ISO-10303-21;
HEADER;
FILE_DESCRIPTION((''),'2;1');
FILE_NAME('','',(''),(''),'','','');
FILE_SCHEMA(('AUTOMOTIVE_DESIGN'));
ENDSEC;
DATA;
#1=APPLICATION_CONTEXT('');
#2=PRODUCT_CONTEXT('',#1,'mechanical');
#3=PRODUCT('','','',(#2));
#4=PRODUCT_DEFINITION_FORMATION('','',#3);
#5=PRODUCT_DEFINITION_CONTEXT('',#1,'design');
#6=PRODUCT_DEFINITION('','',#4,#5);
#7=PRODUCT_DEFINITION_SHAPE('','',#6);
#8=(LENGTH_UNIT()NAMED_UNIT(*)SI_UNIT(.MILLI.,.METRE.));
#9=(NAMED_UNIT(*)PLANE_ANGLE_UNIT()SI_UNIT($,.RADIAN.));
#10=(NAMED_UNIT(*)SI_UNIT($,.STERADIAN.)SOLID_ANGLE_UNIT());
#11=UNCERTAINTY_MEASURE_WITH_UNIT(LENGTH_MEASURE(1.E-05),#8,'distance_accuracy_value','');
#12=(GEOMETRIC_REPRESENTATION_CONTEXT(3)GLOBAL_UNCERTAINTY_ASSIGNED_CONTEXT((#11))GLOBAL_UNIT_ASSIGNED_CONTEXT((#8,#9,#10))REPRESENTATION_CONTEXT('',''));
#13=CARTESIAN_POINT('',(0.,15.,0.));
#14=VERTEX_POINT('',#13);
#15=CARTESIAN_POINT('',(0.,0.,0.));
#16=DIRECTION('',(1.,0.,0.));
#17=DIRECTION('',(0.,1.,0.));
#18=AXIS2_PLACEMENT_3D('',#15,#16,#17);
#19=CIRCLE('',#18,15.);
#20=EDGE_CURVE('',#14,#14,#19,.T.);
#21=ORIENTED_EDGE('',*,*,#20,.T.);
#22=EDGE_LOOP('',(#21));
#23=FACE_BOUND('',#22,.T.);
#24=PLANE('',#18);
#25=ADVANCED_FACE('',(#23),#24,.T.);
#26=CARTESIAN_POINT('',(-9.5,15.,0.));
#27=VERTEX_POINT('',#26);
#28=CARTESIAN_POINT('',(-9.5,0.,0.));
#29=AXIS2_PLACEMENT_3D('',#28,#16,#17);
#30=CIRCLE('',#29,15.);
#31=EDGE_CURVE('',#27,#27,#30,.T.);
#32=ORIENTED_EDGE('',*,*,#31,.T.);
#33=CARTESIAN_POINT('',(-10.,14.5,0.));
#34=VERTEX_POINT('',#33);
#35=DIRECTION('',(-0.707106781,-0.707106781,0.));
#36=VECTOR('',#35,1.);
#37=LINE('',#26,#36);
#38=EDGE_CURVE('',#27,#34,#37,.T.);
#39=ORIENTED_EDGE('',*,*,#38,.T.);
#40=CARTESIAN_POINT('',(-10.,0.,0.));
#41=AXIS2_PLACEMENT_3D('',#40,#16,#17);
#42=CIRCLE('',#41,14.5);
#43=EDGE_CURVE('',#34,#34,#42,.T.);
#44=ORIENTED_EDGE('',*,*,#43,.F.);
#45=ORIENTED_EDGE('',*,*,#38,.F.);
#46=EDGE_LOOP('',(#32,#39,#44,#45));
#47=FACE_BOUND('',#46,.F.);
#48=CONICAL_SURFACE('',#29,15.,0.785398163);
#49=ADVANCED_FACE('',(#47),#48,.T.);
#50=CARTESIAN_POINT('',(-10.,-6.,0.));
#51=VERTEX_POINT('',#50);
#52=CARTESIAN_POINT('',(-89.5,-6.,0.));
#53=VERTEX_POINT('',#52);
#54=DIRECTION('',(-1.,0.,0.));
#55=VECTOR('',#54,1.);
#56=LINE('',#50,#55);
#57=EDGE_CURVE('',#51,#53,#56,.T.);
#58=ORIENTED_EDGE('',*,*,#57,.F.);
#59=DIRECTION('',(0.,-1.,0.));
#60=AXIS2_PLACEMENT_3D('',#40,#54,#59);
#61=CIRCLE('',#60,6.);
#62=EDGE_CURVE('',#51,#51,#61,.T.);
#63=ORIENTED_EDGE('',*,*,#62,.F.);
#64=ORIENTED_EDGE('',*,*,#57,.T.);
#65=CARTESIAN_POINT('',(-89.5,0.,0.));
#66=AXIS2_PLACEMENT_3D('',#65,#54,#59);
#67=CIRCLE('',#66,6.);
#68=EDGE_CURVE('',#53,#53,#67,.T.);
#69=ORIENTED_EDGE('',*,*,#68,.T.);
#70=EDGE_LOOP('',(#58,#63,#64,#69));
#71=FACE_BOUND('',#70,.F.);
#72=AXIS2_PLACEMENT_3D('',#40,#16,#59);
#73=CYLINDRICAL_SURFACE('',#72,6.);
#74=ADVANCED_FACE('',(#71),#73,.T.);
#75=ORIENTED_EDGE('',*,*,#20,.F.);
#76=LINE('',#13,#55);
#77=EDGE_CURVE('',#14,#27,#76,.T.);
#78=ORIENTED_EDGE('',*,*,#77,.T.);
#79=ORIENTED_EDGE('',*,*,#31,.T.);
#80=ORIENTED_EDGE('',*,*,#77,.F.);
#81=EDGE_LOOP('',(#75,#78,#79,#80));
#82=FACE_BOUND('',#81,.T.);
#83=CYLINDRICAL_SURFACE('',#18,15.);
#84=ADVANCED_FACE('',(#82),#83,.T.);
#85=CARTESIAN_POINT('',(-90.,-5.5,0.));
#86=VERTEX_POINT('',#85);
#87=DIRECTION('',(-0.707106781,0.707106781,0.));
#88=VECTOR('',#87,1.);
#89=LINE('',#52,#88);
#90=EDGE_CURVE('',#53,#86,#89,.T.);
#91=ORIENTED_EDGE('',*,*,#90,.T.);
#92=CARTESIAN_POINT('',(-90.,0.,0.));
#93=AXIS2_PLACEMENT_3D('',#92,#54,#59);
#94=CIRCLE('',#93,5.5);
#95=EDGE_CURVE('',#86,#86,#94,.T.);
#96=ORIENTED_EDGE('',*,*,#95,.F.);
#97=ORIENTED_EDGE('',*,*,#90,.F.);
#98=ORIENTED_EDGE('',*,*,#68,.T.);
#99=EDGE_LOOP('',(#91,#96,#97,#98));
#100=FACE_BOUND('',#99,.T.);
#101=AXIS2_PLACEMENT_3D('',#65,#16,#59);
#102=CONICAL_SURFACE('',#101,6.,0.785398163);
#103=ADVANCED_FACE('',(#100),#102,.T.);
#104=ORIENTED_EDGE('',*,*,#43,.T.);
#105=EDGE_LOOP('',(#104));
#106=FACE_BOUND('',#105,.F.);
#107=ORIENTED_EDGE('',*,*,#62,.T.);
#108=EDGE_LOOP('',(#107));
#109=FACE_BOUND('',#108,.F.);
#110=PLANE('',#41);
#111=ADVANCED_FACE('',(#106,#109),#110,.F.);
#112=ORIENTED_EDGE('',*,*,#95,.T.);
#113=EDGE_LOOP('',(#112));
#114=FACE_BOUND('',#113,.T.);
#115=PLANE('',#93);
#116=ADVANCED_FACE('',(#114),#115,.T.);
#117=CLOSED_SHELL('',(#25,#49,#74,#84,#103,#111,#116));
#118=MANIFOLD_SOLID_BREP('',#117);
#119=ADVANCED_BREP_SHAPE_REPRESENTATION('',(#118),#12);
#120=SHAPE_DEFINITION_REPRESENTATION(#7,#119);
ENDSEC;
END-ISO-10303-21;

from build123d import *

# Parameters (mm, degrees)
F0_R     = 15
F1_DEPTH = 10
F2_R     = 6
F3_DEPTH = 80
F4_SIZE  = 0.5


with BuildPart() as f1:
    # F0 (on Right) → F1 (new body)
    with BuildSketch(Plane.YZ):
        Circle(F0_R)
    extrude(amount=-F1_DEPTH)

    # F2 (on face) → F3 (join)
    with BuildSketch(Plane(origin=(-10, 0, 0), x_dir=(0, -1, 0), z_dir=(-1, 0, 0))):
        Circle(F2_R)
    extrude(amount=F3_DEPTH)

    # F4
    f4_edges = [f1.edges().sort_by_distance(p)[0] for p in [
        (-90, 6, 0),
        (-10, -15, 0),
    ]]
    chamfer(f4_edges, length=F4_SIZE)


solid = f1.part
